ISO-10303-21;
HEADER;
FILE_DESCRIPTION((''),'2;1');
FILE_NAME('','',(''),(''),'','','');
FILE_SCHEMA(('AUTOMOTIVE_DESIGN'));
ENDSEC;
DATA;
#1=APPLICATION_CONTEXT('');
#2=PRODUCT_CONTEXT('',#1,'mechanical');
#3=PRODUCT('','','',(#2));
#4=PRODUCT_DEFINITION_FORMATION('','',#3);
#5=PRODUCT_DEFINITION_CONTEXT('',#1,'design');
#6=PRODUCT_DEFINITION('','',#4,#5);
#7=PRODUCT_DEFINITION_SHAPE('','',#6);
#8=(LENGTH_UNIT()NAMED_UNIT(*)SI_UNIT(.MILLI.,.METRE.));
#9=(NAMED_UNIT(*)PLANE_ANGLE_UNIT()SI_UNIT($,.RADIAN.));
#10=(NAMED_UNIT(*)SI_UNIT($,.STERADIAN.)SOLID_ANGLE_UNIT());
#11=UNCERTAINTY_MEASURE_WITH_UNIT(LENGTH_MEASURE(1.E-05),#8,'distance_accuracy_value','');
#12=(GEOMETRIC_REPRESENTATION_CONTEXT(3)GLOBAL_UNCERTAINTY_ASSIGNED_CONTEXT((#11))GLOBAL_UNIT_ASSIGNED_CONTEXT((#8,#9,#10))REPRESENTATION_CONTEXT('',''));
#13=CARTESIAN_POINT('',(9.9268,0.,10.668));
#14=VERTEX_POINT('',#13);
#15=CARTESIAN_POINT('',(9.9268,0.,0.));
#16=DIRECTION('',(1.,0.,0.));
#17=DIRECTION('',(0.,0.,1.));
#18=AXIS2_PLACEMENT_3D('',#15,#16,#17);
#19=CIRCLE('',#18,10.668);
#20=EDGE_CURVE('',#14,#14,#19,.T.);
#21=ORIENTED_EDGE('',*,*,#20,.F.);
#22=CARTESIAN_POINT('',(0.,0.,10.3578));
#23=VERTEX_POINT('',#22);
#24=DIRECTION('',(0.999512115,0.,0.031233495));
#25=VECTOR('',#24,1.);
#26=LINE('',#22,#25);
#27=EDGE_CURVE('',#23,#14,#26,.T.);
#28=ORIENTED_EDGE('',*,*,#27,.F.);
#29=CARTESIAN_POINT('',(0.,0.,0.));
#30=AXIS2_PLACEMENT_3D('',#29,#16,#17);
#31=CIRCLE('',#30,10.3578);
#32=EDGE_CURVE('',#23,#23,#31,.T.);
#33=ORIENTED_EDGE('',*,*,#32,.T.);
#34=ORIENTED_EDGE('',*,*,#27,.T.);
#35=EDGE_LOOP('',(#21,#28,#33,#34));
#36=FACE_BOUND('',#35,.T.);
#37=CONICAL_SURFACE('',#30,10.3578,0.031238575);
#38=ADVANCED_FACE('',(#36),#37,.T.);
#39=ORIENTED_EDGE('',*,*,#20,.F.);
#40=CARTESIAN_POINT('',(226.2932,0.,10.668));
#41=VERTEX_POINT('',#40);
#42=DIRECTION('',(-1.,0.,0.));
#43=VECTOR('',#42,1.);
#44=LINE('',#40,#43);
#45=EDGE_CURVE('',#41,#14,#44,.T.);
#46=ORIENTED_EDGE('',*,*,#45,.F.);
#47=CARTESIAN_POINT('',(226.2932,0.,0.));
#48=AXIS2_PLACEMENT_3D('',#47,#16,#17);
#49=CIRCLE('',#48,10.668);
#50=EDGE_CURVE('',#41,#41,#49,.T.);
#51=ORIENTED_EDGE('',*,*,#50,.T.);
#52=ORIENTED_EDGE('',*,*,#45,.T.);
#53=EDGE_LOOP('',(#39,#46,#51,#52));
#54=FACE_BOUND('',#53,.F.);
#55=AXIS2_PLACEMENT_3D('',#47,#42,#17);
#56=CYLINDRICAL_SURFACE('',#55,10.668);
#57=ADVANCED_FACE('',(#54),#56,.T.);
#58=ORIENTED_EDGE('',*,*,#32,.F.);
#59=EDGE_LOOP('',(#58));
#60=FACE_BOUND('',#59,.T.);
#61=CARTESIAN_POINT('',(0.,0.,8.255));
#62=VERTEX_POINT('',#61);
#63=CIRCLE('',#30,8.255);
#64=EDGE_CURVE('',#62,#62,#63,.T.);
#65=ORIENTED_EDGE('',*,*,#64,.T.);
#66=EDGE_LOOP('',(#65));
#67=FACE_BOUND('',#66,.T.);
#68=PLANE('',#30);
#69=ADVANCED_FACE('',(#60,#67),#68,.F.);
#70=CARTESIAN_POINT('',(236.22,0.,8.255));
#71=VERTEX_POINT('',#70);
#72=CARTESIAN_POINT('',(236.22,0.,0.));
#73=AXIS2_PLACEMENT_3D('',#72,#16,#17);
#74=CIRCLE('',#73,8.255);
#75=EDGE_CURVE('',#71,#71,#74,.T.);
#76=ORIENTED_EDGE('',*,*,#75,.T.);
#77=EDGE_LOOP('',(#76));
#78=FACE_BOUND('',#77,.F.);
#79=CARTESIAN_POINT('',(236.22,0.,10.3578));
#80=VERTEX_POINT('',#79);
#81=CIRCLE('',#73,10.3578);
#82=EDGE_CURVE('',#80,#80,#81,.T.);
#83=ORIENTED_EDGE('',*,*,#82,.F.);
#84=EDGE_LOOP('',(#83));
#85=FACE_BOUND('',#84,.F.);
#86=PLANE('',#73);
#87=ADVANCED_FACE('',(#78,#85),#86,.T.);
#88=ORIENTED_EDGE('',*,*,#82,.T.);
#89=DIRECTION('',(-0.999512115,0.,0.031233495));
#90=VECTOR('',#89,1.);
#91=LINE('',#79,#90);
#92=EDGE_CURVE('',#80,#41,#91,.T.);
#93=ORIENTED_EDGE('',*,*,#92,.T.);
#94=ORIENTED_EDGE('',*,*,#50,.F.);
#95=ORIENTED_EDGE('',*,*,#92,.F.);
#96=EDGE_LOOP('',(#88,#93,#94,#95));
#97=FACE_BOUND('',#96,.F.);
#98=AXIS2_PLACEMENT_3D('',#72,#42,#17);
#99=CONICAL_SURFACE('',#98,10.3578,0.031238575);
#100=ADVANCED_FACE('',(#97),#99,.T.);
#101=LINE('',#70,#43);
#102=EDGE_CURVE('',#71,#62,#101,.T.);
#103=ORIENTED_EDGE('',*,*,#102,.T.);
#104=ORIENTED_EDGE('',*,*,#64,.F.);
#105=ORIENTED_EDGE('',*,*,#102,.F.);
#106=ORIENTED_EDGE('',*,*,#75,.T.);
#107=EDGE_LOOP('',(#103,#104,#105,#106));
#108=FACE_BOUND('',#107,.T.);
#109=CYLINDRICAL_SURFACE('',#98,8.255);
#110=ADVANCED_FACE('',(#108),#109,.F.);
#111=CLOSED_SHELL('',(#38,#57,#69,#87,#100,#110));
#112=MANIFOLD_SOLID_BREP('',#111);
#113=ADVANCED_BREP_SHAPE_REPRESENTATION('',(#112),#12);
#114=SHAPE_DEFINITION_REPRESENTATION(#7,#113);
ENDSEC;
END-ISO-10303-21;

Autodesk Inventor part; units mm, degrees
ref_plane "YZ Plane" through (0, 0, 0) normal (1, 0, 0) x (0, 1, 0)
ref_plane "XZ Plane" through (0, 0, 0) normal (0, 1, 0) x (-1, 0, 0)
ref_plane "XY Plane" through (0, 0, 0) normal (0, 0, 1) x (1, 0, 0)
sketch "Sketch1" plane through (0, 0, 0) normal (0, 1, 0) x (-1, 0, 0)
  line L0 (0, 0) -> (-236.22, 0)
  line L1 (-236.22, 0) -> (-236.22, 8.255) construction
  line L2 (-236.22, 8.255) -> (-236.22, 10.3578)
  line L3 (-236.22, 10.3578) -> (-226.2932, 10.668)
  line L4 (-226.2932, 10.668) -> (-9.9268, 10.668)
  line L5 (-118.11, 0) -> (-118.11, 10.668) construction
  line L6 (-236.22, 8.255) -> (0, 8.255)
  line L7 (0, 0) -> (0, 8.255) construction
  line L8 (0, 8.255) -> (0, 10.3578)
  line L9 (0, 10.3578) -> (-9.9268, 10.668)
  line L10 (-222.664, 10.7814) -> (-222.664, 0) construction
  line L11 (-13.556, 10.7814) -> (-13.556, 0) construction
  line L12 (-226.2932, 10.668) -> (-222.664, 10.7814) construction
  line L13 (-226.2932, 10.668) -> (-226.2932, 0) construction
  line L14 (-9.9268, 10.668) -> (-13.556, 10.7814) construction
  line L15 (-9.9268, 10.668) -> (-9.9268, 0) construction
  dimension "d0" = 21.336
  dimension "d1" = 1.79
  dimension "d2" = 16.51
  dimension "d3" = 236.22
  dimension "d4" = 13.556
  dimension "d5" = 21.5628
revolve "Revolution1" add sketch "Sketch1" angle 360 about axis through (0, 0, 0) along (1, 0, 0)
thread "Thread1" size "1/2" designation "1/2 - 14 NPT" standard "NPT" full length
thread "Thread2" size "1/2" designation "1/2 - 14 NPT" standard "NPT" full length
equation "\"d0\" = OD"
equation "\"d2\" = ID"
equation "\"d3\" = L"
equation "\"d4\" = L2"
equation "\"d5\" = D2"
equation "\"OD\" = 21.336"
equation "\"t\" = 2.413"
equation "\"L\" = PL"
equation "\"L4\" = 19.8501"
equation "\"ID\" = 16.51"
equation "\"PL\" = 236.22"
equation "\"D2\" = 21.56282"
equation "\"L2\" = 13.55598"
equation "\"Size_Designation\" = 1.2345"
equation "\"PLmin\" = 2 * L2"
properties material "Steel, Wrought"
